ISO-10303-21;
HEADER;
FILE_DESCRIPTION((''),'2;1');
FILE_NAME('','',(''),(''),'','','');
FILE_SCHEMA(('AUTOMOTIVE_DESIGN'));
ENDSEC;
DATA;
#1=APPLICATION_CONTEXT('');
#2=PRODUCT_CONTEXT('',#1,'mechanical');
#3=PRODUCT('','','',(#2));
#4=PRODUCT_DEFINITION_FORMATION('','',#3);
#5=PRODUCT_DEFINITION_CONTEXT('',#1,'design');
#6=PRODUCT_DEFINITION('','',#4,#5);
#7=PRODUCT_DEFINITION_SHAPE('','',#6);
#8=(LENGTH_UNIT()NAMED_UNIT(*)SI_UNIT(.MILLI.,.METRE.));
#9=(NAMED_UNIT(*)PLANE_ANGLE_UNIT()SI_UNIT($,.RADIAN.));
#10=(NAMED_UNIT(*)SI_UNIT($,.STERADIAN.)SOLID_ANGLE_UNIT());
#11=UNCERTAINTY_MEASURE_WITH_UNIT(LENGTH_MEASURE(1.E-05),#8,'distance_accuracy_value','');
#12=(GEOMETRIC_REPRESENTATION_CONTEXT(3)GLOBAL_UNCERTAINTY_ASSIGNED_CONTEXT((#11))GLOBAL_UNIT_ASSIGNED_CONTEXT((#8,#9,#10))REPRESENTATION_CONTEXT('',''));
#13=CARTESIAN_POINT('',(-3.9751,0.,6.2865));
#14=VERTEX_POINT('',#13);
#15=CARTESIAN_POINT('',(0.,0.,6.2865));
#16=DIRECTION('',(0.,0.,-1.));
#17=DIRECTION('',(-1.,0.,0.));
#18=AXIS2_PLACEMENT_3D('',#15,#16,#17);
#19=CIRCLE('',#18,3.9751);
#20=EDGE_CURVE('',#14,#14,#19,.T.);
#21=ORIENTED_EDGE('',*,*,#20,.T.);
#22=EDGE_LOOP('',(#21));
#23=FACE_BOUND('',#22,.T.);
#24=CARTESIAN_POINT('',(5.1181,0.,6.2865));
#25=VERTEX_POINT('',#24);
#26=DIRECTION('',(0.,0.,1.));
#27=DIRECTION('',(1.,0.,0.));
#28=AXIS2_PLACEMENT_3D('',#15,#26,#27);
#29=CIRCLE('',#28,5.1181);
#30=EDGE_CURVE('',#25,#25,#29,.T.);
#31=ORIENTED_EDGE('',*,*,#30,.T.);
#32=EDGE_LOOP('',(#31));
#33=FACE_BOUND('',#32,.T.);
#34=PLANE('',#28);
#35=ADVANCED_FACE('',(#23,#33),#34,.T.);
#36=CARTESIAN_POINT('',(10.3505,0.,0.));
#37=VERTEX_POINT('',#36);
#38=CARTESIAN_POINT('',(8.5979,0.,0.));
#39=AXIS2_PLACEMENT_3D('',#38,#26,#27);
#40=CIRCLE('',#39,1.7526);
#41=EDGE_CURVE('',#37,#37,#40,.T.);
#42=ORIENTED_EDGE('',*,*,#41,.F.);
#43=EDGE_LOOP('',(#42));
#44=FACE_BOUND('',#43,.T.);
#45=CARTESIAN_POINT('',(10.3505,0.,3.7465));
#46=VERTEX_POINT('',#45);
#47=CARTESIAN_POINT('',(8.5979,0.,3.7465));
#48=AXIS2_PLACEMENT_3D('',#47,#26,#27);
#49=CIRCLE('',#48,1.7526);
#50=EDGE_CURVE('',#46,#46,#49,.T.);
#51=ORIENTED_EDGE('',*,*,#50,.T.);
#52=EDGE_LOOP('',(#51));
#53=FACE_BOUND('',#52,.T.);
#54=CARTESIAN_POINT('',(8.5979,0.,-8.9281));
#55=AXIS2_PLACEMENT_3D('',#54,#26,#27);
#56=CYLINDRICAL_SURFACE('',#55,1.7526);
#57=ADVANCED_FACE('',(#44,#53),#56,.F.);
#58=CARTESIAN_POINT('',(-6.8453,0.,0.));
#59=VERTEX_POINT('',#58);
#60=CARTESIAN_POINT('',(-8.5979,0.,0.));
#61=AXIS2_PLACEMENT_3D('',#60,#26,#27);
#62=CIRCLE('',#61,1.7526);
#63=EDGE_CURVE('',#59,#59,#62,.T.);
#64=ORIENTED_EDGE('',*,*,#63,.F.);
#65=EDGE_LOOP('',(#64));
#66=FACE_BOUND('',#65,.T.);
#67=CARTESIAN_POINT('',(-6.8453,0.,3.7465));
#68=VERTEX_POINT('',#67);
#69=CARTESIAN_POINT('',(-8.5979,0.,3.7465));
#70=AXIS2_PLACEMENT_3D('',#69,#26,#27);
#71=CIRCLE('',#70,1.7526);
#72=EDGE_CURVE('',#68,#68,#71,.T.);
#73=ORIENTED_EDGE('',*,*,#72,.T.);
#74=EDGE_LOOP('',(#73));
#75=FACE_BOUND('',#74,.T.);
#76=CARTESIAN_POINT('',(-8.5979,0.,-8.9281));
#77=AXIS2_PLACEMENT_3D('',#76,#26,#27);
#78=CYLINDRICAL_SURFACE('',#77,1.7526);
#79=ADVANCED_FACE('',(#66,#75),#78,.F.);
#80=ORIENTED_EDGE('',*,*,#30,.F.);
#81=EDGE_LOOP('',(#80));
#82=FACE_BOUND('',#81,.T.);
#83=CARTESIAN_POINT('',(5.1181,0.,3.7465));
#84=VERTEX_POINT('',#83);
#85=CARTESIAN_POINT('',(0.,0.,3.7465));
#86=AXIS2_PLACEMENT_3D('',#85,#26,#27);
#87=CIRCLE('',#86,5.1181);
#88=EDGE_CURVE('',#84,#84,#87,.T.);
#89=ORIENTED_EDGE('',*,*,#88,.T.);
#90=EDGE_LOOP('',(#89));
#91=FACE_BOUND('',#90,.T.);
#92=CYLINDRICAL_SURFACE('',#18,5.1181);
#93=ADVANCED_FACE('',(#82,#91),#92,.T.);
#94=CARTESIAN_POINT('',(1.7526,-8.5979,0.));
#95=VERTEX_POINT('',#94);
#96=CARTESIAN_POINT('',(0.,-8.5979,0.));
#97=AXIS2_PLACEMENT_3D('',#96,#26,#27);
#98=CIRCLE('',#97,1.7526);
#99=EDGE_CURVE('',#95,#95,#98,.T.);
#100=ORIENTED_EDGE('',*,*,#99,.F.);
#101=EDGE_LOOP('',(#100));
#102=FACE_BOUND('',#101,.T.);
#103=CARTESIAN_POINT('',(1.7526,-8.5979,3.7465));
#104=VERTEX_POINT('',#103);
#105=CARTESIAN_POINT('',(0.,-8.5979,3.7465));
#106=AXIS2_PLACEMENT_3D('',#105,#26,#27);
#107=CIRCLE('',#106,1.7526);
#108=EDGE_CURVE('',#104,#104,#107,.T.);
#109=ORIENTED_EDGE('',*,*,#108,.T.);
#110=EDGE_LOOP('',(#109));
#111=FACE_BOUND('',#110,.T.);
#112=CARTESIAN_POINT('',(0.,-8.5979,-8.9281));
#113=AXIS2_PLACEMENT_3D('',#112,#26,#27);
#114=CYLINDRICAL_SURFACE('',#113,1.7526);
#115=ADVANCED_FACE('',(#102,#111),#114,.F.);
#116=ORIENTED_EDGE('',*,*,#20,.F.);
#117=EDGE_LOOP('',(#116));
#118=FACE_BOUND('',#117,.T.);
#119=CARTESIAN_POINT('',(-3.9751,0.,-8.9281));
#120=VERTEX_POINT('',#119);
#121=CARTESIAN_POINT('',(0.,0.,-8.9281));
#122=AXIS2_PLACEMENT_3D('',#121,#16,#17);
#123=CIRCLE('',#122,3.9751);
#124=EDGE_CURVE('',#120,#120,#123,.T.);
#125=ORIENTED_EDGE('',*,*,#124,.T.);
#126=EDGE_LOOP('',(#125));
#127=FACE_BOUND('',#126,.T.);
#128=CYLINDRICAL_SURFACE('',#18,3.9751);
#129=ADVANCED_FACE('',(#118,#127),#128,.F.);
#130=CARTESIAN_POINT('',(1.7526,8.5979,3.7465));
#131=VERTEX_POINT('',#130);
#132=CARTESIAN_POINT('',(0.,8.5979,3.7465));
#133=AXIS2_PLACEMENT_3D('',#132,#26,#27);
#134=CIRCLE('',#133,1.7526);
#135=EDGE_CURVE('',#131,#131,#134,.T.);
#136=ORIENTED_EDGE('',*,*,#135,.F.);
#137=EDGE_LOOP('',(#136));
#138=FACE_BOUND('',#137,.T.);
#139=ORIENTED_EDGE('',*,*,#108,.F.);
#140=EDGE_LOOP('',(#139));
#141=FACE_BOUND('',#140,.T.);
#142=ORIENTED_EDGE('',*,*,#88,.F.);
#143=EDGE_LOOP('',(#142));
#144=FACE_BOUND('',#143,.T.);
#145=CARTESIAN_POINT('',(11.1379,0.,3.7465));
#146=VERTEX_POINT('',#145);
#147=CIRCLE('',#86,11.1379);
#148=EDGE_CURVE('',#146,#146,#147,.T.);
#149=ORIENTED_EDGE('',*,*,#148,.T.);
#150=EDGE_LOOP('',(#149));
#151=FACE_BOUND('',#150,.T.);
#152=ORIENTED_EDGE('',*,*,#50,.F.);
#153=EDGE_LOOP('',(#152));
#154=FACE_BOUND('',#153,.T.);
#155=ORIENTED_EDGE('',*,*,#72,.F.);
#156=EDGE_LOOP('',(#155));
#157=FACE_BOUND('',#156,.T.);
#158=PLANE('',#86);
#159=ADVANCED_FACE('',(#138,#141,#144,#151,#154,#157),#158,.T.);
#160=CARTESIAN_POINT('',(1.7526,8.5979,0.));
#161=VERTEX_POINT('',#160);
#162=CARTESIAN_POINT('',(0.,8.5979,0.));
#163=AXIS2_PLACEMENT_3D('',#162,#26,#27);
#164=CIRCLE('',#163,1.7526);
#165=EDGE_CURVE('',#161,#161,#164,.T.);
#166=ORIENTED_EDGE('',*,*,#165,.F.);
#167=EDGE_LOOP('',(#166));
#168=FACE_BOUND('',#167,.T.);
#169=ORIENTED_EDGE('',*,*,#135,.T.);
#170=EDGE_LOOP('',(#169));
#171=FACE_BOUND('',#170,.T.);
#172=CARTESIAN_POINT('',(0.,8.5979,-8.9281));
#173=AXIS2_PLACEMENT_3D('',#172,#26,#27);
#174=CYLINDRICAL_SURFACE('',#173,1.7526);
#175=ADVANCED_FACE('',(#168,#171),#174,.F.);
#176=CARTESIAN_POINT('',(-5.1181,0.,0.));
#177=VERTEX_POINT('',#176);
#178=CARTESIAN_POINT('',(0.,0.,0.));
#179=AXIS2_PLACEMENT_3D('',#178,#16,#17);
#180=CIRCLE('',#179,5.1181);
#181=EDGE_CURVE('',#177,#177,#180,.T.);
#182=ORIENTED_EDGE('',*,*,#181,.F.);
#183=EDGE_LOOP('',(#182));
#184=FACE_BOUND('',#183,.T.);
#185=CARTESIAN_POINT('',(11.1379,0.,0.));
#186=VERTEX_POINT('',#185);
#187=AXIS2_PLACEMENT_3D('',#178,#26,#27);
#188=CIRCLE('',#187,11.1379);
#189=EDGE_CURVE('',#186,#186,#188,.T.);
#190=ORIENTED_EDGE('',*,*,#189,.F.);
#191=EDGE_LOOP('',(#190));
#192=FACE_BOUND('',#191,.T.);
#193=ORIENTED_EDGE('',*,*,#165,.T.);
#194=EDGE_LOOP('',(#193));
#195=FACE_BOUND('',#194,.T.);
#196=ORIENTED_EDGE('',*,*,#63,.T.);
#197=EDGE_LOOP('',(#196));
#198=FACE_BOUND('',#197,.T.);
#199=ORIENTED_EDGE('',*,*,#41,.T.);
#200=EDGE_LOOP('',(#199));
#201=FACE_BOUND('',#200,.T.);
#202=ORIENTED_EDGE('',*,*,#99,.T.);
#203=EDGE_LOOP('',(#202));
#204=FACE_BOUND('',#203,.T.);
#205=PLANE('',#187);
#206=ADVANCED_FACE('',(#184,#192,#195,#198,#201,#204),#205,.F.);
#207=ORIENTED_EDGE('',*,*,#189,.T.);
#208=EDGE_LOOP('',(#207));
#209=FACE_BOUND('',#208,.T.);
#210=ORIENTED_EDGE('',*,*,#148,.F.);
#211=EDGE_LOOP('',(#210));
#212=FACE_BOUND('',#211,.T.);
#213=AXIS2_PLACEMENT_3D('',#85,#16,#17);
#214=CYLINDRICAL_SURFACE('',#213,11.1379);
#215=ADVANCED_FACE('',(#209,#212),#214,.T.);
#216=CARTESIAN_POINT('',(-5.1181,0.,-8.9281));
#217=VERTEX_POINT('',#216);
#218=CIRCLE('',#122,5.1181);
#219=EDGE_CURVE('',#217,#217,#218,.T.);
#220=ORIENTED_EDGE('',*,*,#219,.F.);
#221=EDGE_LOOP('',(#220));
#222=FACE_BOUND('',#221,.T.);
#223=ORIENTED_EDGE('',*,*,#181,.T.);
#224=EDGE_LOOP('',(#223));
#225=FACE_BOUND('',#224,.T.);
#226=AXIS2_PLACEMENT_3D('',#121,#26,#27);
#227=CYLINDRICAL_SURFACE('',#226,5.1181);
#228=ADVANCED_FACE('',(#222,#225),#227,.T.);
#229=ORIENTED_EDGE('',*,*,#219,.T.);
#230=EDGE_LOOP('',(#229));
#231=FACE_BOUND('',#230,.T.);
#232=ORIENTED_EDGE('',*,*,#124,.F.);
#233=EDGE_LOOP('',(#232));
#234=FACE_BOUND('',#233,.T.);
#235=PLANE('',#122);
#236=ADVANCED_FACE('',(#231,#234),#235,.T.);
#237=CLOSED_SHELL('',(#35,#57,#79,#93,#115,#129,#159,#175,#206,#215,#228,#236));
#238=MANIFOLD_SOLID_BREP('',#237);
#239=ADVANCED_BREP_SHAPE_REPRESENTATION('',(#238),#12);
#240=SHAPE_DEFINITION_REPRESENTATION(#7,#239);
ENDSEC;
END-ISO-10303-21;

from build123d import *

# Parameters (mm, degrees)
SKETCH1_R           = 11.1379
BOSS_EXTRUDE1_DEPTH = 3.7465
SKETCH2_R           = 5.1181
BOSS_EXTRUDE2_DEPTH = 8.9281
SKETCH3_R           = 5.1181
BOSS_EXTRUDE3_DEPTH = 2.54
SKETCH4_R           = 3.9751
CUT_EXTRUDE1_DEPTH  = 16.2146
SKETCH5_R           = 1.7526
CUT_EXTRUDE2_DEPTH  = 13.6746


with BuildPart() as part:
    # Sketch1 → Boss-Extrude1 (new body)
    with BuildSketch(Plane.XY):
        Circle(SKETCH1_R)
    extrude(amount=BOSS_EXTRUDE1_DEPTH)

    # Sketch2 → Boss-Extrude2 (add)
    with BuildSketch(Plane(origin=(0, 0, 0), x_dir=(-1, 0, 0), z_dir=(0, 0, -1))):
        Circle(SKETCH2_R)
    extrude(amount=BOSS_EXTRUDE2_DEPTH)

    # Sketch3 → Boss-Extrude3 (add)
    with BuildSketch(Plane.XY.offset(3.7465)):
        Circle(SKETCH3_R)
    extrude(amount=BOSS_EXTRUDE3_DEPTH)

    # Sketch4 → Cut-Extrude1 (cut, through all)
    with BuildSketch(Plane(origin=(0, 0, -8.9281), x_dir=(-1, 0, 0), z_dir=(0, 0, -1))):
        Circle(SKETCH4_R)
    extrude(amount=-CUT_EXTRUDE1_DEPTH, mode=Mode.SUBTRACT)

    # Sketch5 → Cut-Extrude2 (cut, through all)
    with BuildSketch(Plane.XY.offset(3.7465)):
        with Locations((0, 8.5979)):
            Circle(SKETCH5_R)
        with Locations((8.5979, 0)):
            Circle(SKETCH5_R)
        with Locations((0, -8.5979)):
            Circle(SKETCH5_R)
        with Locations((-8.5979, 0)):
            Circle(SKETCH5_R)
    extrude(amount=-CUT_EXTRUDE2_DEPTH, mode=Mode.SUBTRACT)


solid = part.part
